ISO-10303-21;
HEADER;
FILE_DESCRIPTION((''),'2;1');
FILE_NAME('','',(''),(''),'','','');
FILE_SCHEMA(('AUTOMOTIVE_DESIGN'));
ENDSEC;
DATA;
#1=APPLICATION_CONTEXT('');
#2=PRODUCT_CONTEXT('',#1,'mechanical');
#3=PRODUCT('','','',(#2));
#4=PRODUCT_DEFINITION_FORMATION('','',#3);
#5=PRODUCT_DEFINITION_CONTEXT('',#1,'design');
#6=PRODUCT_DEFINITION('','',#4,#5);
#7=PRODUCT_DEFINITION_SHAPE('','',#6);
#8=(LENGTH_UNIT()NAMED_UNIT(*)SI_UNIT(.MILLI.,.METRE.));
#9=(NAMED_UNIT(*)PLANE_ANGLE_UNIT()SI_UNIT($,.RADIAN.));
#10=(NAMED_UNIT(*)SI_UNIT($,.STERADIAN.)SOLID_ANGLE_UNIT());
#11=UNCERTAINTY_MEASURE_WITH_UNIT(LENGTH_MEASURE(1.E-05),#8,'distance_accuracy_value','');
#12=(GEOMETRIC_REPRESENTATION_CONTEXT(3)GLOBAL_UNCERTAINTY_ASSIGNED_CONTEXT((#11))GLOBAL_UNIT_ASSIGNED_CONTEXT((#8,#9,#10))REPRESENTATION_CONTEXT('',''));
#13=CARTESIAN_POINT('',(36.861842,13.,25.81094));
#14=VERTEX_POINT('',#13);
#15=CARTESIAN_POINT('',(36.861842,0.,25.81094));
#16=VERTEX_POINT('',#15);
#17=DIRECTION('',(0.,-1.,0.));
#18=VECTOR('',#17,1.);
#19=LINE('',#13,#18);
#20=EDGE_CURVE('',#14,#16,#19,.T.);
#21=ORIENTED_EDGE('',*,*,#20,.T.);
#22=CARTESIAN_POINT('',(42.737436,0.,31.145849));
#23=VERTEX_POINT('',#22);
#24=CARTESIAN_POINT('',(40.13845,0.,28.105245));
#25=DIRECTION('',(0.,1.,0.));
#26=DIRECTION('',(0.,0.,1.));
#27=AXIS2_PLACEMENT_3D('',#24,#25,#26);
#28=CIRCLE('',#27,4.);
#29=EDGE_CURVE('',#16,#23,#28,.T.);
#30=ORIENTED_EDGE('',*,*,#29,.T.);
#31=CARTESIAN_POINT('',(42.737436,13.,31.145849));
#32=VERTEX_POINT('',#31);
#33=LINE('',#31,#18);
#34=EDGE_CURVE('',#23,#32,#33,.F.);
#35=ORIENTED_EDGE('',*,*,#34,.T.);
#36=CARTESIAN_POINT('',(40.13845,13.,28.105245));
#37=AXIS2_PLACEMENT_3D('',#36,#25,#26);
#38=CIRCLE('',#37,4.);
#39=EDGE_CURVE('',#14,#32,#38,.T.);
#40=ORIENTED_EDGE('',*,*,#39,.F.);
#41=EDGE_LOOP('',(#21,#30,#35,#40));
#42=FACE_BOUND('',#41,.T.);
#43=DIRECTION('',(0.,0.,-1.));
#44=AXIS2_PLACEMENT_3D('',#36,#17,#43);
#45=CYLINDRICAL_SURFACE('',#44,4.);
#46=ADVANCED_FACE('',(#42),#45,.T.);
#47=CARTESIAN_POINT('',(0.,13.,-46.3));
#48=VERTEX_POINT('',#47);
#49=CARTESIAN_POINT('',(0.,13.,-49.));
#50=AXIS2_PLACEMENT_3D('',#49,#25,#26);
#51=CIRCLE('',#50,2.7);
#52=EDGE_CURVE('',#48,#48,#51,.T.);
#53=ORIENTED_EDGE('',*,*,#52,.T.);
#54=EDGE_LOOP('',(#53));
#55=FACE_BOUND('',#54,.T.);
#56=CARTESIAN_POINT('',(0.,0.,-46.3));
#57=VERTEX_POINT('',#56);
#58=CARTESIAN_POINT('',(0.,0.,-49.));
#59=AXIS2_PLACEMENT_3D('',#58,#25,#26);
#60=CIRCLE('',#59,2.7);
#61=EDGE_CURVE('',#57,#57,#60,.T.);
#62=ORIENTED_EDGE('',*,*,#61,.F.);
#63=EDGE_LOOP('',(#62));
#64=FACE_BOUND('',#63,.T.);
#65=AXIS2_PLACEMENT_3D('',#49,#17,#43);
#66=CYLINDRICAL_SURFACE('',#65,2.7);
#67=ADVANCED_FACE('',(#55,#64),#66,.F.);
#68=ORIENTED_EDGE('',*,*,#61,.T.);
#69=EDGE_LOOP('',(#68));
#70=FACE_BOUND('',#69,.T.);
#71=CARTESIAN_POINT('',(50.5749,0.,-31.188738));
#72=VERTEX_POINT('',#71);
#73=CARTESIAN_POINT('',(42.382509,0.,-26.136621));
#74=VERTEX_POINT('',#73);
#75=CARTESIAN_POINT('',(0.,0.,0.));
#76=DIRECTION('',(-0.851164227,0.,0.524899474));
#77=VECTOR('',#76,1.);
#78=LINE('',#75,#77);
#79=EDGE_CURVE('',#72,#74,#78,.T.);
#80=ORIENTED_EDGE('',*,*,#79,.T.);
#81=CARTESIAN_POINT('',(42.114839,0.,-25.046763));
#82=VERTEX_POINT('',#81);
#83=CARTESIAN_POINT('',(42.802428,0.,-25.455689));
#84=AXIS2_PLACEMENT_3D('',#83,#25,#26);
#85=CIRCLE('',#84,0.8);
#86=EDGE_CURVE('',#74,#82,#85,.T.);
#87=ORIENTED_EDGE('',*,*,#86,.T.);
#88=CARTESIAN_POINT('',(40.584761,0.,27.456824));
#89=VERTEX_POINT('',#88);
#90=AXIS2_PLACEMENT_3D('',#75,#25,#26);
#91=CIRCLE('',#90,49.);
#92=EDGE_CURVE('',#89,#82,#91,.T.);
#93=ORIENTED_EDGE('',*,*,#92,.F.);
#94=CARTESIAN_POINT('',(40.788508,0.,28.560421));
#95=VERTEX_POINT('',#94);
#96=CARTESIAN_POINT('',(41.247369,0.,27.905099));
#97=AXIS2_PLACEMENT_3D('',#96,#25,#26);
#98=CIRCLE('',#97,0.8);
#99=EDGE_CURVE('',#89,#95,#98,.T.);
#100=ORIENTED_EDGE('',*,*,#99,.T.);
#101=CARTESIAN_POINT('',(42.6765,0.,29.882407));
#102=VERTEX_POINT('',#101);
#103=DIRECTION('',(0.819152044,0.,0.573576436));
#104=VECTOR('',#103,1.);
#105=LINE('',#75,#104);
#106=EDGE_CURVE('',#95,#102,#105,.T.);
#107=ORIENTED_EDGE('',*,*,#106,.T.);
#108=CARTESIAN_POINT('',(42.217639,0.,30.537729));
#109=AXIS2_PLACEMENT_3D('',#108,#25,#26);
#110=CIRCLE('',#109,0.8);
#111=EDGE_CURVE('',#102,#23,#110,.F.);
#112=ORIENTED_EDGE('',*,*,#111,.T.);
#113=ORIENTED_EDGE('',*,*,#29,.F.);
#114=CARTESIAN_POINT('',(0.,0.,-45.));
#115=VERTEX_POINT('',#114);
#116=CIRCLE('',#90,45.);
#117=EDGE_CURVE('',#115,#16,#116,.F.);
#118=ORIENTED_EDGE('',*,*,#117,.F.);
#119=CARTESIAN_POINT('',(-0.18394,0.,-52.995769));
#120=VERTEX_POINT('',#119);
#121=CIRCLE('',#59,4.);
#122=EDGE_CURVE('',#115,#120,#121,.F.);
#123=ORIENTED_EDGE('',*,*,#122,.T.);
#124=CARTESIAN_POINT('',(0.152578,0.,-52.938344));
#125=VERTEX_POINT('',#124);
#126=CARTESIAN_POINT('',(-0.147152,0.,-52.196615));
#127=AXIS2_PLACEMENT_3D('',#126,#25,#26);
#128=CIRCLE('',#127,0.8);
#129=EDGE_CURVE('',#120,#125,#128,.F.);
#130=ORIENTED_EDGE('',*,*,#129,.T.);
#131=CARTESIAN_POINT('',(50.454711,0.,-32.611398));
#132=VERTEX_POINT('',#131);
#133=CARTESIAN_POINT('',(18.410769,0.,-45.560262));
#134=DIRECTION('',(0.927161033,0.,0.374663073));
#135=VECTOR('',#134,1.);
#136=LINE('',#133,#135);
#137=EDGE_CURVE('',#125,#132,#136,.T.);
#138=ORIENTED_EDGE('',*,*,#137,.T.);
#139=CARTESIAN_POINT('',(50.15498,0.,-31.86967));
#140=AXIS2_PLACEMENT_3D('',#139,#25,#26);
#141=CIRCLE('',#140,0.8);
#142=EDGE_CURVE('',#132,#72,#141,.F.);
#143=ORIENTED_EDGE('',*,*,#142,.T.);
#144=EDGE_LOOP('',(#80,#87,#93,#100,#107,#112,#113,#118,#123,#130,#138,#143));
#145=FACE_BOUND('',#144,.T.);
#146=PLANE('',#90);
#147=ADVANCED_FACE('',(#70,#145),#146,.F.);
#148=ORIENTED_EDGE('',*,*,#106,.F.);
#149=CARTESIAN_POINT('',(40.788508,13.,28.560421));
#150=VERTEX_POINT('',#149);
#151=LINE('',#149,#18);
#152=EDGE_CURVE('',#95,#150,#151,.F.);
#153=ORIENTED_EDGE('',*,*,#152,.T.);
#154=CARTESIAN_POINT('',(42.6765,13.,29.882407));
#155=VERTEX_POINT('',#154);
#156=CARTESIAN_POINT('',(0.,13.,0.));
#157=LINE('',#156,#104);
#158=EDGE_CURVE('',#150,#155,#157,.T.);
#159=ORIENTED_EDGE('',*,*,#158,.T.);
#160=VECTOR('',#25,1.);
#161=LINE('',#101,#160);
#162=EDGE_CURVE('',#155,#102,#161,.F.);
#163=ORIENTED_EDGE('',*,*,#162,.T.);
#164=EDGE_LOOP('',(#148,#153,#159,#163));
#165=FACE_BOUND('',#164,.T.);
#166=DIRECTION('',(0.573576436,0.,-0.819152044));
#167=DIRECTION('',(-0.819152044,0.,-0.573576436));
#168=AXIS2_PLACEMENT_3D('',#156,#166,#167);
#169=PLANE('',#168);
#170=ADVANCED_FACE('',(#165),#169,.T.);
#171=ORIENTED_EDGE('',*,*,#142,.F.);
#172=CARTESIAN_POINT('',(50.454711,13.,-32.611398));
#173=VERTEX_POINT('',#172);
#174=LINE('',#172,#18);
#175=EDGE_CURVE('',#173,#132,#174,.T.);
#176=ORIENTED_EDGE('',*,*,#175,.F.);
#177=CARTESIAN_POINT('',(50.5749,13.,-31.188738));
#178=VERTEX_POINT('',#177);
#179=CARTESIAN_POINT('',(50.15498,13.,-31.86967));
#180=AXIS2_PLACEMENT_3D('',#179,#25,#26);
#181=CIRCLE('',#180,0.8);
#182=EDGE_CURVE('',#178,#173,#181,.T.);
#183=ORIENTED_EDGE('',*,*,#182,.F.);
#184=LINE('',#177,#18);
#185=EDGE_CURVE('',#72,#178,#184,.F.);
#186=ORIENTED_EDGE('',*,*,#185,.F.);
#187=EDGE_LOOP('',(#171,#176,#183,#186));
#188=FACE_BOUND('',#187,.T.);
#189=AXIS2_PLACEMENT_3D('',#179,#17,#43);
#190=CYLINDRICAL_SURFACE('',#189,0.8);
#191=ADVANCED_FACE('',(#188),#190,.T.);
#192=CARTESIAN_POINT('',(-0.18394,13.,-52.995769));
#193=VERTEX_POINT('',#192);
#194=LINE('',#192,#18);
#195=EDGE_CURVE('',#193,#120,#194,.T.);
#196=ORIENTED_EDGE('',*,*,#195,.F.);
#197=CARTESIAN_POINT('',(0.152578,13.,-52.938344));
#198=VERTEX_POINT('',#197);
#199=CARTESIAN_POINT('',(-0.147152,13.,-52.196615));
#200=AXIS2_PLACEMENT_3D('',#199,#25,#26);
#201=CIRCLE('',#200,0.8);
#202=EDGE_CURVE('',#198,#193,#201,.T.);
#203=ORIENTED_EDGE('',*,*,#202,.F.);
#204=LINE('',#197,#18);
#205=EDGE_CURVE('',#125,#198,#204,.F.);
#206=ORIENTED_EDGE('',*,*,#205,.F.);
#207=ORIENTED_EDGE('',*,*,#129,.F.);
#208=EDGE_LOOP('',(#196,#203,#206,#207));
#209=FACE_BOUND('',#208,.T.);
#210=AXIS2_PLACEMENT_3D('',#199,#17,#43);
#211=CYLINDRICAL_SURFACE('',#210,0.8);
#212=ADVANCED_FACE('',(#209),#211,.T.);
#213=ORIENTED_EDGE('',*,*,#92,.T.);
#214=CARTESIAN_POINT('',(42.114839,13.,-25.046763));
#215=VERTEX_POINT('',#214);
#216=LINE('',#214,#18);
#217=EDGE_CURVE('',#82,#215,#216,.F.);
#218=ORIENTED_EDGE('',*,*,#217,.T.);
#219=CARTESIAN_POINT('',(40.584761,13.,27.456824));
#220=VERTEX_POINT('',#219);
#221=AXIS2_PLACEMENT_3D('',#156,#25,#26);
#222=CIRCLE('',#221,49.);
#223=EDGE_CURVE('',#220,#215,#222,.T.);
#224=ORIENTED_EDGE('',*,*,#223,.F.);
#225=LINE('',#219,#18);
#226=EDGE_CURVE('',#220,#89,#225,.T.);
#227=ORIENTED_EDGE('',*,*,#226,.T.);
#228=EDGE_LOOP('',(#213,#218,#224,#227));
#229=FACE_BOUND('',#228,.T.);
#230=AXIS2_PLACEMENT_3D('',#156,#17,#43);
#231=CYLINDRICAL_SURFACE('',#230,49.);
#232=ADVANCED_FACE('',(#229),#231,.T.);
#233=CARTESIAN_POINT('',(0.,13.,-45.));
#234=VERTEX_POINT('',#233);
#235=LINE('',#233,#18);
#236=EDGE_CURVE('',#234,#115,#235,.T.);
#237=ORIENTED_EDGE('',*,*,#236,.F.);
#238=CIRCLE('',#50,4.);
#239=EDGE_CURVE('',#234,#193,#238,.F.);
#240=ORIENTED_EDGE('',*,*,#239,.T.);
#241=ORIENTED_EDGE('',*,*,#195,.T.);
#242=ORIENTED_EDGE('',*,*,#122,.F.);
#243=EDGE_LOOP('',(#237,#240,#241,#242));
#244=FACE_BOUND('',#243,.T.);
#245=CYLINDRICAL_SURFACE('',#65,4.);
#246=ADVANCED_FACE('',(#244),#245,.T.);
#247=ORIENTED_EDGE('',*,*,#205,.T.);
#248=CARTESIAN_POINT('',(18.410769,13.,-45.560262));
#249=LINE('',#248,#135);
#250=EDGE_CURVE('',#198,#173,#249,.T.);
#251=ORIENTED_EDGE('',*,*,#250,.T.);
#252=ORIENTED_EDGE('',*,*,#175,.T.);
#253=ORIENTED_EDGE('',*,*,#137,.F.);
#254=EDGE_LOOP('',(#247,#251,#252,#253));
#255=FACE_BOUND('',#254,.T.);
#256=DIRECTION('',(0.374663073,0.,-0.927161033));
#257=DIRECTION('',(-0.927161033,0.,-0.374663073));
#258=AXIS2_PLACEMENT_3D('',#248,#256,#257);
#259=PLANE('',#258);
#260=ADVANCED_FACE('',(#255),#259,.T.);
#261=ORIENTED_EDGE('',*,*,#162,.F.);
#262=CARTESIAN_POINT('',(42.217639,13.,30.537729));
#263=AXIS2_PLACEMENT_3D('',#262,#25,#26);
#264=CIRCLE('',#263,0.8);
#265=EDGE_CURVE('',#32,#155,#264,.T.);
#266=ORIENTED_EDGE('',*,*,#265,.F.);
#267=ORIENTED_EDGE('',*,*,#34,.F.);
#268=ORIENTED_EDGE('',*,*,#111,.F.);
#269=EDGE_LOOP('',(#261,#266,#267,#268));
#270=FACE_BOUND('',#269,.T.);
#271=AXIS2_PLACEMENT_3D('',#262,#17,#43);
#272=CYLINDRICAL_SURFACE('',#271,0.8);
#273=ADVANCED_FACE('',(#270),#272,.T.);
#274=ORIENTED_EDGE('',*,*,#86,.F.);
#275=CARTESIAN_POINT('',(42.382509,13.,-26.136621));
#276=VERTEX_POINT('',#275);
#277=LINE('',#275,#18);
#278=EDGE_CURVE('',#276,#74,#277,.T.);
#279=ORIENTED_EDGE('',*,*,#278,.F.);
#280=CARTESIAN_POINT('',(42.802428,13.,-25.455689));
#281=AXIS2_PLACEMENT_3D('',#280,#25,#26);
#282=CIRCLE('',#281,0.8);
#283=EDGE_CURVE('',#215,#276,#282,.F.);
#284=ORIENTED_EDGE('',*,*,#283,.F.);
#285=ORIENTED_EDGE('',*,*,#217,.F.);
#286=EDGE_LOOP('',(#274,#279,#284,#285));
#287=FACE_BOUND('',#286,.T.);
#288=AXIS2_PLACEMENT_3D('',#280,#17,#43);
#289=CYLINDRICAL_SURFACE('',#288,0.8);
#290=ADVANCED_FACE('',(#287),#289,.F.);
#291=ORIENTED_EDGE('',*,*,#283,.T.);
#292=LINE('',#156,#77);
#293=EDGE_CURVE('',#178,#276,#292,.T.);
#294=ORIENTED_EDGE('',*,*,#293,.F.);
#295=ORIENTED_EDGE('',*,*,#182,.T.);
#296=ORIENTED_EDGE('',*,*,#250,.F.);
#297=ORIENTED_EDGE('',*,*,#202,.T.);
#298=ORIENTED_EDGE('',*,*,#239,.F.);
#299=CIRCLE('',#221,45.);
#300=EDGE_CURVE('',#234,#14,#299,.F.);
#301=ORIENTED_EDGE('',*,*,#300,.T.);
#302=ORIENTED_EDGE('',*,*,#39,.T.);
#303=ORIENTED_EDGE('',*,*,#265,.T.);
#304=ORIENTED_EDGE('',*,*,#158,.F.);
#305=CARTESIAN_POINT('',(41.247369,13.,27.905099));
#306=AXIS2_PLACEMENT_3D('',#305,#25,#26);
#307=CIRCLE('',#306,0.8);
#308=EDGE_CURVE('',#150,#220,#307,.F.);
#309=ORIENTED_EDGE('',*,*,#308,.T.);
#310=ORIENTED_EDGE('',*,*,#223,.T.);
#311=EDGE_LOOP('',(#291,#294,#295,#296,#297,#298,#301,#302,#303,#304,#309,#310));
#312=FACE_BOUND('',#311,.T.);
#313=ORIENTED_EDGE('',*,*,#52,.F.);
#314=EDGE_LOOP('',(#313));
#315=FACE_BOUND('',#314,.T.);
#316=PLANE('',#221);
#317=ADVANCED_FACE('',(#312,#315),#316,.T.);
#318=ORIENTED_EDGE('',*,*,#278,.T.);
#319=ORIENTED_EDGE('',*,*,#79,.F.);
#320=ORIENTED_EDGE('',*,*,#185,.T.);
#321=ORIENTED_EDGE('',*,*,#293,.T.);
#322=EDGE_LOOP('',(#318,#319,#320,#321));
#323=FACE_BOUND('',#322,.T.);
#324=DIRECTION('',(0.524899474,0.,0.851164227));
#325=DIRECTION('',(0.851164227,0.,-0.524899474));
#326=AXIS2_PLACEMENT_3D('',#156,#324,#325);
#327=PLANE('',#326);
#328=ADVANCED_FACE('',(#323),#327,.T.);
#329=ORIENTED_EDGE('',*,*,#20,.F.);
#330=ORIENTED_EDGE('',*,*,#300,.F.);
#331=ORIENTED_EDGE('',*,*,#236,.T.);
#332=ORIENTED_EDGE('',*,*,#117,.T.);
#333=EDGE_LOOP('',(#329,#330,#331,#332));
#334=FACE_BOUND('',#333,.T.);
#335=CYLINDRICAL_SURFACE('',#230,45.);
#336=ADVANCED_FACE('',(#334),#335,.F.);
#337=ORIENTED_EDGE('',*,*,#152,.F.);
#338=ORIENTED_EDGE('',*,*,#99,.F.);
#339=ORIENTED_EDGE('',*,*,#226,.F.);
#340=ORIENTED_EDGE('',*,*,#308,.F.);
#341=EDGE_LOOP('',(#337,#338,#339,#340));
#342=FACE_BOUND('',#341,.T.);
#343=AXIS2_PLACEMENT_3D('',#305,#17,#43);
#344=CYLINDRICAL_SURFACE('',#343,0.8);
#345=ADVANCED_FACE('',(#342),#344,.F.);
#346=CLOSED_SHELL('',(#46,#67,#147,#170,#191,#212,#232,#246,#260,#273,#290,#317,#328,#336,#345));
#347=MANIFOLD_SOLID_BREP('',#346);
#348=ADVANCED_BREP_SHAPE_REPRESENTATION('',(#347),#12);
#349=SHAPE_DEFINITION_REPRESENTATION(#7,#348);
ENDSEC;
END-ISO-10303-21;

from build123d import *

# Parameters (mm, degrees)
SKETCH1_R           = 2.7
BOSS_EXTRUDE1_DEPTH = 13
FILLET1_R           = 0.8


with BuildPart() as part:
    # Sketch1 → Boss-Extrude1 (new body)
    with BuildSketch(Plane(origin=(0, 0, 0), x_dir=(1, 0, 0), z_dir=(0, 1, 0))):
        with BuildLine():
            Line((51.921017872, 32.018867925), (0, 53))
            ThreePointArc((0, 53), (-4, 49), (0, 45))
            ThreePointArc((0, 45), (39.915487493, 20.778687596), (36.861841993, -25.810939636))
            ThreePointArc((36.861841993, -25.810939636), (37.844144425, -31.381853558), (43.415058347, -30.399551127))
            Line((43.415058347, -30.399551127), (40.13845017, -28.105245381))
            ThreePointArc((40.13845017, -28.105245381), (48.97920595, -1.427369772), (41.707047143, 25.720074234))
            Line((41.707047143, 25.720074234), (51.921017872, 32.018867925))
        make_face()
        with Locations((0, 49)):
            Circle(SKETCH1_R, mode=Mode.SUBTRACT)
    extrude(amount=BOSS_EXTRUDE1_DEPTH)

    # Fillet1
    fillet1_edges = [part.edges().sort_by_distance(p)[0] for p in [
        (51.921017872, 6.5, -32.018867925),
        (41.707047143, 6.5, -25.720074234),
        (40.13845017, 6.5, 28.105245381),
        (43.415058347, 6.5, 30.399551127),
        (0, 6.5, -53),
    ]]
    fillet(fillet1_edges, radius=FILLET1_R)


solid = part.part
